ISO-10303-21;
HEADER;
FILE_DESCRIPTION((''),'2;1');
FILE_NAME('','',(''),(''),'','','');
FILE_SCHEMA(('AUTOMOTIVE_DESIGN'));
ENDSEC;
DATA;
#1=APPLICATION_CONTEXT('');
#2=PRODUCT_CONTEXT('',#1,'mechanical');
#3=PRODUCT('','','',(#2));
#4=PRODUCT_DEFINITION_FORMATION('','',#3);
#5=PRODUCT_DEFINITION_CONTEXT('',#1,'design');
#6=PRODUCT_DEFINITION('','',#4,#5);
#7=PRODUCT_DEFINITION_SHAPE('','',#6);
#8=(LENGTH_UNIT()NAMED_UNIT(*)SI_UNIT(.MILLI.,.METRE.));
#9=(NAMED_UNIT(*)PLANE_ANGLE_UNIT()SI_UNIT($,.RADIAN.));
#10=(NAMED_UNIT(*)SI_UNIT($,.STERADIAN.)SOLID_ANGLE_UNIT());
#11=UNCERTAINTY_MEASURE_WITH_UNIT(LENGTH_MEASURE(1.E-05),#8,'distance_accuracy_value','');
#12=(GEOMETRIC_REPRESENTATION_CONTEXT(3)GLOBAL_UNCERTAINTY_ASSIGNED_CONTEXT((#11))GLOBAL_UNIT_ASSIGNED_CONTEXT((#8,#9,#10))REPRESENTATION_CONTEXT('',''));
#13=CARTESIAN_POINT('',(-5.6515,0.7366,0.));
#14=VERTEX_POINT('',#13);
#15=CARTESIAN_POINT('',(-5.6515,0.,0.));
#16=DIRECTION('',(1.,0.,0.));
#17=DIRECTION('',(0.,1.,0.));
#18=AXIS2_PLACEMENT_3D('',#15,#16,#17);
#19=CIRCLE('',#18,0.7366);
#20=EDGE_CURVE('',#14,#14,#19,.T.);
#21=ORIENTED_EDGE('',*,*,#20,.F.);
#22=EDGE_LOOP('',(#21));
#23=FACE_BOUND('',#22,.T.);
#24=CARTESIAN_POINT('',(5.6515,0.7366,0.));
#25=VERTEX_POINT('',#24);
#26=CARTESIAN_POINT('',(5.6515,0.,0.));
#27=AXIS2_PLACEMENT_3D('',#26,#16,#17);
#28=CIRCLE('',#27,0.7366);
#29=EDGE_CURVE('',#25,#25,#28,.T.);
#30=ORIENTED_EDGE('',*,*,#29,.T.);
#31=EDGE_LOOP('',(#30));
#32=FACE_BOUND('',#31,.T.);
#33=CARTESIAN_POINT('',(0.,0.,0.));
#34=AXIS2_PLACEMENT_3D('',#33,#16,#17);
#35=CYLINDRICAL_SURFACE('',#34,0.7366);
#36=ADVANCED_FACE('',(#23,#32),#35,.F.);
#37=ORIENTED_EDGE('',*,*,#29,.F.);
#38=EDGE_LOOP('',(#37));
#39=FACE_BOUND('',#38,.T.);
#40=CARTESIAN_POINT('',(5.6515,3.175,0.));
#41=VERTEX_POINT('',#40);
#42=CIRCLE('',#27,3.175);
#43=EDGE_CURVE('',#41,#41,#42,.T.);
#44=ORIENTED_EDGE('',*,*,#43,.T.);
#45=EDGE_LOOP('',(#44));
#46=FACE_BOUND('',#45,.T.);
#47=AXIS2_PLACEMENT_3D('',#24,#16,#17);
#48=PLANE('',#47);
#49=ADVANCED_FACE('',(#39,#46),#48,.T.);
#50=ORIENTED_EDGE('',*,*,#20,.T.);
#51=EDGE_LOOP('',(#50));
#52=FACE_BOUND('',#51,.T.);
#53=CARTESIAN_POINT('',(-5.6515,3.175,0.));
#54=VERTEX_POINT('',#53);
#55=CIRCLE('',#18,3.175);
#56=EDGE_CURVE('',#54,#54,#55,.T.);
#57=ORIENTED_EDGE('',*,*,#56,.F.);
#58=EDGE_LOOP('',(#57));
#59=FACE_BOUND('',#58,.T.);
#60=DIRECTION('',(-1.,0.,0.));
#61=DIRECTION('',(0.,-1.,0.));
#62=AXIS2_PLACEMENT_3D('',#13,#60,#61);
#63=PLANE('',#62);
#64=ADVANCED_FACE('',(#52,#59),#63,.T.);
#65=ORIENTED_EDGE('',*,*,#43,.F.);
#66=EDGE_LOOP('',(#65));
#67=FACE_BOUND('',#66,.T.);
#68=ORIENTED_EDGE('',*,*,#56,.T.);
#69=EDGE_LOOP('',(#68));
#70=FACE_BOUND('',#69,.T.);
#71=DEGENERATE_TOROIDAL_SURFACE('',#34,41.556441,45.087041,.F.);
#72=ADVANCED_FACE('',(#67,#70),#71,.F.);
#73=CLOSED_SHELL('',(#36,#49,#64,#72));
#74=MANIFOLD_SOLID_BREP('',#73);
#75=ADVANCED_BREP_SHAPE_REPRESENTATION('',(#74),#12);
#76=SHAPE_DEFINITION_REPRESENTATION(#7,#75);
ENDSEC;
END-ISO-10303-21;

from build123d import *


with BuildPart() as part:
    # Sketch2 → Revolve1 (revolve)
    with BuildSketch(Plane.XY):
        with BuildLine():
            Line((5.6515, 0.7366), (5.6515, 3.175))
            ThreePointArc((5.6515, 3.175), (0, 3.5306), (-5.6515, 3.175))
            Line((-5.6515, 3.175), (-5.6515, 0.7366))
            Line((-5.6515, 0.7366), (5.6515, 0.7366))
        make_face()
    revolve(axis=Axis((0, 0, 0), (-1, 0, 0)))


solid = part.part
